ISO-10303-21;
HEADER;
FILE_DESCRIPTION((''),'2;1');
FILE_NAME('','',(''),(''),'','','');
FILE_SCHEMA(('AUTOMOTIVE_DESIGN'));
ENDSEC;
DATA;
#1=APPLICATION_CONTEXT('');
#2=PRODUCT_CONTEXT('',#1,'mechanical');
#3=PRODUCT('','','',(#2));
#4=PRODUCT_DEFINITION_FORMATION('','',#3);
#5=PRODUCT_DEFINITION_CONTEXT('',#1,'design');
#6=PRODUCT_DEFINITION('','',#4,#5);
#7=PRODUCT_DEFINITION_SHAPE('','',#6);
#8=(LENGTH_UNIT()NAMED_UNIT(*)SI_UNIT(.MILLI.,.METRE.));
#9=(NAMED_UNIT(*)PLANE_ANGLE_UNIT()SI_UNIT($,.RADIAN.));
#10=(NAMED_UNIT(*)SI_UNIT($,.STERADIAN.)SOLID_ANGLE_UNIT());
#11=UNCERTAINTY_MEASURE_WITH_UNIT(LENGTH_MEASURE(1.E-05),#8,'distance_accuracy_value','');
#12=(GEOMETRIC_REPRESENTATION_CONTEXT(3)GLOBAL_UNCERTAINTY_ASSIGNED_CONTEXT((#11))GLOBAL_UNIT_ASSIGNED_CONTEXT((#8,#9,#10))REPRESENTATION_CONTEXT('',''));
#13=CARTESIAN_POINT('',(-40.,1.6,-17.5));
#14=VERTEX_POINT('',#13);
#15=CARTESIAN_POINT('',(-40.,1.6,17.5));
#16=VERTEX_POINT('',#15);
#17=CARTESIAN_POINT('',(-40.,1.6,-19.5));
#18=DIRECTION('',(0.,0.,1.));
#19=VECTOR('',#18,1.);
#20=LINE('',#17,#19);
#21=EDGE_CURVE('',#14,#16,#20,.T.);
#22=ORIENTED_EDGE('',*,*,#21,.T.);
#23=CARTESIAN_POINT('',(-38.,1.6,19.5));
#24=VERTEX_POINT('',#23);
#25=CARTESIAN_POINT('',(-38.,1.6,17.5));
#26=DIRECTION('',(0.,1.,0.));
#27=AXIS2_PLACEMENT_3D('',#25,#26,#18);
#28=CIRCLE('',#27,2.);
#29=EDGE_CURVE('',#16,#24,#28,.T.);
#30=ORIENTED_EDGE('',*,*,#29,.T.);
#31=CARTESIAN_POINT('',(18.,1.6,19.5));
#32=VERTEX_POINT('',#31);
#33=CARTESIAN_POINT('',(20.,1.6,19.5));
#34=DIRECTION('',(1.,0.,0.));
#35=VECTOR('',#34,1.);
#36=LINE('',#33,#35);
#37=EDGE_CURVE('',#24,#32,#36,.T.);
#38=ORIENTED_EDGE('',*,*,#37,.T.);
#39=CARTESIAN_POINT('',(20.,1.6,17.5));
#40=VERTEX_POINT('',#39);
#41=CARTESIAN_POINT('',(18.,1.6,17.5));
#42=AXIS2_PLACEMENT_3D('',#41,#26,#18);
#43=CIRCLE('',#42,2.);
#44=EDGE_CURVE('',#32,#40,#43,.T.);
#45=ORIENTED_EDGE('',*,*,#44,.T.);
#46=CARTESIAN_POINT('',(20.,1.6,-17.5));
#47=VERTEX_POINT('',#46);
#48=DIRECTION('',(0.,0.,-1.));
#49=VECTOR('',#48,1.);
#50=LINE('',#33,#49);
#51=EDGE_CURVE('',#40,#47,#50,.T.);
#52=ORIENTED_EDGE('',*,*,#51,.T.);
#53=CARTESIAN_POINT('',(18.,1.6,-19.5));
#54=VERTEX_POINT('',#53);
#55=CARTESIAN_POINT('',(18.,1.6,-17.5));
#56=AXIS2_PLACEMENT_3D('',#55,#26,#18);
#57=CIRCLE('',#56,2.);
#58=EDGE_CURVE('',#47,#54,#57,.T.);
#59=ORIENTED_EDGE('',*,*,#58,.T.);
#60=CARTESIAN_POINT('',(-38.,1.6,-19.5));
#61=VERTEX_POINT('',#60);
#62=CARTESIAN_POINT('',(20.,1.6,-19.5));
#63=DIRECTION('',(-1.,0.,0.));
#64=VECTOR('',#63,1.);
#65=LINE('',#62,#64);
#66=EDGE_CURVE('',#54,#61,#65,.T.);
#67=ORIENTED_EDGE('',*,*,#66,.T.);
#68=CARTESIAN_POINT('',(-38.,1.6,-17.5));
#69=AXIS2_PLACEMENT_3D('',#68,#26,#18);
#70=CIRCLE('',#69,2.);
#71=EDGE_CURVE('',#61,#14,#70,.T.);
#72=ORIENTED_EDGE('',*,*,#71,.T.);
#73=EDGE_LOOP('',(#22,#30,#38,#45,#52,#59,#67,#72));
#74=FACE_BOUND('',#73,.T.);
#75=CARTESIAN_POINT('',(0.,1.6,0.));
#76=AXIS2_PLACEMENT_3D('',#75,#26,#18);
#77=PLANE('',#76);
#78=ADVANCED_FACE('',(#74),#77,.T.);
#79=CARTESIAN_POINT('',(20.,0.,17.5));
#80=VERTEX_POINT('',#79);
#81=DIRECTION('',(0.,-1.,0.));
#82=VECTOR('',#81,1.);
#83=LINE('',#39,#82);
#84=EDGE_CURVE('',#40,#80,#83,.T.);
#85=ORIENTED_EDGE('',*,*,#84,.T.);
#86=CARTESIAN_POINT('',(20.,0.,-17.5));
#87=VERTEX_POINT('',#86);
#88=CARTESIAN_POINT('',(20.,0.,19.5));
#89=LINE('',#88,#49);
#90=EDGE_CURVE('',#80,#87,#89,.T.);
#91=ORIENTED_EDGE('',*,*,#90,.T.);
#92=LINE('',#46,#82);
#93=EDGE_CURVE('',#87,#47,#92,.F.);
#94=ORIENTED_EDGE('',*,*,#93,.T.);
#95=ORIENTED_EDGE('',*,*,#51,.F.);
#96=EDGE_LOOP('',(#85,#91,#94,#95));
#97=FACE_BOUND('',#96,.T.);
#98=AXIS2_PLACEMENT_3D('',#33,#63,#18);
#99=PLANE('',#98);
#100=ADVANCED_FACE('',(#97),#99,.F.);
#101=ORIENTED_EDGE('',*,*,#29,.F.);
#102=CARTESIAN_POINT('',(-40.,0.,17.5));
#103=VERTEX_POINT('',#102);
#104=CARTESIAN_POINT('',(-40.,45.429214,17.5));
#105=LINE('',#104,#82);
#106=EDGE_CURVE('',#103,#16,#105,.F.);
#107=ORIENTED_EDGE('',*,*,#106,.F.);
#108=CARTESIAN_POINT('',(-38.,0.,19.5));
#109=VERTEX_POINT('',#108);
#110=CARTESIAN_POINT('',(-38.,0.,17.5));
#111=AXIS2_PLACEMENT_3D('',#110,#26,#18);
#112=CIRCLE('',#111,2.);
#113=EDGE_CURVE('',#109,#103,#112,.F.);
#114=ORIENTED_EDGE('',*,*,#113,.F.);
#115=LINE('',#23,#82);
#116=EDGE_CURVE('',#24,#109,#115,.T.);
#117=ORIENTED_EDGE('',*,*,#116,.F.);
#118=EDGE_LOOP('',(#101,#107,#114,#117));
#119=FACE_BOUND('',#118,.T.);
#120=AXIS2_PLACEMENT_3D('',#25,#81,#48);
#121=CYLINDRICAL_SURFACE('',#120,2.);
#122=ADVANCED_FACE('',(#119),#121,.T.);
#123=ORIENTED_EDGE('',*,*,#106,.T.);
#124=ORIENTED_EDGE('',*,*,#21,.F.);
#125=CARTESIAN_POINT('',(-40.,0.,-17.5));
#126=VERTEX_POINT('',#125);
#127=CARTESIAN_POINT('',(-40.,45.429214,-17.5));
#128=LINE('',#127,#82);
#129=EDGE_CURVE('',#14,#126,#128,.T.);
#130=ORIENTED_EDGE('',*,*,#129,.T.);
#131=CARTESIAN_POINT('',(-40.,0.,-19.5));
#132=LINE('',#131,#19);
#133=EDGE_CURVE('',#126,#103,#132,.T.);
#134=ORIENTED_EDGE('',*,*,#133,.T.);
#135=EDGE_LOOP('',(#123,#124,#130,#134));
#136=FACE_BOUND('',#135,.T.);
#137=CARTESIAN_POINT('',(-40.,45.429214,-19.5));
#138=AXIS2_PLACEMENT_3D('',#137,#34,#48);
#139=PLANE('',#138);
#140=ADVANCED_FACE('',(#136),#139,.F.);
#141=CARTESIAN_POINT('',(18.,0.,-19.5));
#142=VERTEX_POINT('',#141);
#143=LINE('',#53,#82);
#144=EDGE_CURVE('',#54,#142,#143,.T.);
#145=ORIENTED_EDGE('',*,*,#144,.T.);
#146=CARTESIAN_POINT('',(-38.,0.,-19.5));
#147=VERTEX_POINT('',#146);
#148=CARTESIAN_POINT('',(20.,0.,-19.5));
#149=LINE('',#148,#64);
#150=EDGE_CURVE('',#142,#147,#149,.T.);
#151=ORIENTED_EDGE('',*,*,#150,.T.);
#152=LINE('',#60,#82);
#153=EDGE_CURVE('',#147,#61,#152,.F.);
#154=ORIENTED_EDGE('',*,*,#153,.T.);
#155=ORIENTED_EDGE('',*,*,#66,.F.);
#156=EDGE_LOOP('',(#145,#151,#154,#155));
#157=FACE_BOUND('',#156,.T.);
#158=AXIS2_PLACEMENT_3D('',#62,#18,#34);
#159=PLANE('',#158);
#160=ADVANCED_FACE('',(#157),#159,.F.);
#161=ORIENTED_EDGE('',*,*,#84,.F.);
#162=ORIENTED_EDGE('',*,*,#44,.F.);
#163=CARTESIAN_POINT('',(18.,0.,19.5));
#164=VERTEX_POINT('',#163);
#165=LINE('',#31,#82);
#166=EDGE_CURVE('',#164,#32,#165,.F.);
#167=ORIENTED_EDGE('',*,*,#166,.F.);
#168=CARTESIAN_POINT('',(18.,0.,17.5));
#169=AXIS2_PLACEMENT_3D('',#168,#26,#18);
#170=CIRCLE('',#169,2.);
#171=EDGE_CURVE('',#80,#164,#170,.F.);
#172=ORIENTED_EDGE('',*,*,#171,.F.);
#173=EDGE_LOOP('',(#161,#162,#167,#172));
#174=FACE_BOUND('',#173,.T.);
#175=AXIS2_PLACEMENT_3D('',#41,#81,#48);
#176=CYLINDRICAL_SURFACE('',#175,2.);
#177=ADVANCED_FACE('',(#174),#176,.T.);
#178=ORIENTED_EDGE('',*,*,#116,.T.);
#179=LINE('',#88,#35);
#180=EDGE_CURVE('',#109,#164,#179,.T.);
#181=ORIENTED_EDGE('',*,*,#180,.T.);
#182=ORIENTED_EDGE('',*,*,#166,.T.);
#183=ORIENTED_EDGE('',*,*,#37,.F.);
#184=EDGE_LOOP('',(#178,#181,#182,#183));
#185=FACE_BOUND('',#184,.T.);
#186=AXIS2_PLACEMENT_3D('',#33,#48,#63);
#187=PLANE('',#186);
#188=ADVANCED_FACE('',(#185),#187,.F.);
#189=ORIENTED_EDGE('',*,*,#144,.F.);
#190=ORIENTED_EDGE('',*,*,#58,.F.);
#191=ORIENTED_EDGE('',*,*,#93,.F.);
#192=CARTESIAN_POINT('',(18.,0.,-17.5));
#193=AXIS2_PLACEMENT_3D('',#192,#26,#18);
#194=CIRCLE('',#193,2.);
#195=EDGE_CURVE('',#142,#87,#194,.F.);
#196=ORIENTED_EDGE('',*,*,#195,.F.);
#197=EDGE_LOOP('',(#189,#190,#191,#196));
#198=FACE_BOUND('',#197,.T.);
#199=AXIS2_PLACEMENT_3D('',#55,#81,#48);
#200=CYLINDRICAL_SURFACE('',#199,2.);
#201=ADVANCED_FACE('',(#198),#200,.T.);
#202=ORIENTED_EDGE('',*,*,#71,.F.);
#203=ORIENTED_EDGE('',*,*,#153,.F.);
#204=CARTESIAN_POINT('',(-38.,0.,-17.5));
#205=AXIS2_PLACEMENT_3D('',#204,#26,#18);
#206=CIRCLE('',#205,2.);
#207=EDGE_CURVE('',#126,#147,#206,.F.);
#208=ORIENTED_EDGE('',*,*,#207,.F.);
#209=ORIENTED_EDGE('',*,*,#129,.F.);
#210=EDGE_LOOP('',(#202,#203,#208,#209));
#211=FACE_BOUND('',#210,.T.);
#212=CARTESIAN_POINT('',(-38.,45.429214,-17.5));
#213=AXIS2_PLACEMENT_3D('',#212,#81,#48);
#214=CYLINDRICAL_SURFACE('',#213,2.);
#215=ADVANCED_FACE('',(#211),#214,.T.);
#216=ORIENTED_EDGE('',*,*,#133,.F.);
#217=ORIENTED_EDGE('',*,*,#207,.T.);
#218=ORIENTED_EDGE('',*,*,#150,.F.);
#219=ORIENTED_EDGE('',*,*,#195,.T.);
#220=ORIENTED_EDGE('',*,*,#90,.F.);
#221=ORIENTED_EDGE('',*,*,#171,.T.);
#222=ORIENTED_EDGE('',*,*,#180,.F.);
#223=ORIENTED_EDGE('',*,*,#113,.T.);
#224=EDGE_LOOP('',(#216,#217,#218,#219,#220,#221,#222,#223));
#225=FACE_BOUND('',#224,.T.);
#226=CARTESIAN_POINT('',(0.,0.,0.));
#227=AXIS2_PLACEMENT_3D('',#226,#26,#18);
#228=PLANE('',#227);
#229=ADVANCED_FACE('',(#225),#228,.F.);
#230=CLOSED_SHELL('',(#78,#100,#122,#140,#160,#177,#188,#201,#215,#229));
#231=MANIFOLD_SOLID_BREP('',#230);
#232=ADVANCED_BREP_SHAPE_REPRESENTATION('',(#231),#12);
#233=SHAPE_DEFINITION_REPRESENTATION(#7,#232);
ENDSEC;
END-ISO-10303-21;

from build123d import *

# Parameters (mm, degrees)
SKETCH1_W           = 40
SKETCH1_H           = 39
BOSS_EXTRUDE1_DEPTH = 1.6
SKETCH2_W           = 20
SKETCH2_H           = 39
BOSS_EXTRUDE2_DEPTH = 1.6
FILLET1_R           = 2


with BuildPart() as part:
    # Sketch1 → Boss-Extrude1 (new body)
    with BuildSketch(Plane(origin=(0, 0, 0), x_dir=(1, 0, 0), z_dir=(0, 1, 0))):
        Rectangle(SKETCH1_W, SKETCH1_H)
    extrude(amount=BOSS_EXTRUDE1_DEPTH)

    # Sketch2 → Boss-Extrude2 (add)
    with BuildSketch(Plane(origin=(0, 0, 0), x_dir=(1, 0, 0), z_dir=(0, 1, 0))):
        with Locations((-30, 0)):
            Rectangle(SKETCH2_W, SKETCH2_H)
    extrude(amount=BOSS_EXTRUDE2_DEPTH)

    # Fillet1
    fillet1_edges = [part.edges().sort_by_distance(p)[0] for p in [
        (-40, 0.8, -19.5),
        (-40, 0.8, 19.5),
        (20, 0.8, -19.5),
        (20, 0.8, 19.5),
    ]]
    fillet(fillet1_edges, radius=FILLET1_R)


solid = part.part
